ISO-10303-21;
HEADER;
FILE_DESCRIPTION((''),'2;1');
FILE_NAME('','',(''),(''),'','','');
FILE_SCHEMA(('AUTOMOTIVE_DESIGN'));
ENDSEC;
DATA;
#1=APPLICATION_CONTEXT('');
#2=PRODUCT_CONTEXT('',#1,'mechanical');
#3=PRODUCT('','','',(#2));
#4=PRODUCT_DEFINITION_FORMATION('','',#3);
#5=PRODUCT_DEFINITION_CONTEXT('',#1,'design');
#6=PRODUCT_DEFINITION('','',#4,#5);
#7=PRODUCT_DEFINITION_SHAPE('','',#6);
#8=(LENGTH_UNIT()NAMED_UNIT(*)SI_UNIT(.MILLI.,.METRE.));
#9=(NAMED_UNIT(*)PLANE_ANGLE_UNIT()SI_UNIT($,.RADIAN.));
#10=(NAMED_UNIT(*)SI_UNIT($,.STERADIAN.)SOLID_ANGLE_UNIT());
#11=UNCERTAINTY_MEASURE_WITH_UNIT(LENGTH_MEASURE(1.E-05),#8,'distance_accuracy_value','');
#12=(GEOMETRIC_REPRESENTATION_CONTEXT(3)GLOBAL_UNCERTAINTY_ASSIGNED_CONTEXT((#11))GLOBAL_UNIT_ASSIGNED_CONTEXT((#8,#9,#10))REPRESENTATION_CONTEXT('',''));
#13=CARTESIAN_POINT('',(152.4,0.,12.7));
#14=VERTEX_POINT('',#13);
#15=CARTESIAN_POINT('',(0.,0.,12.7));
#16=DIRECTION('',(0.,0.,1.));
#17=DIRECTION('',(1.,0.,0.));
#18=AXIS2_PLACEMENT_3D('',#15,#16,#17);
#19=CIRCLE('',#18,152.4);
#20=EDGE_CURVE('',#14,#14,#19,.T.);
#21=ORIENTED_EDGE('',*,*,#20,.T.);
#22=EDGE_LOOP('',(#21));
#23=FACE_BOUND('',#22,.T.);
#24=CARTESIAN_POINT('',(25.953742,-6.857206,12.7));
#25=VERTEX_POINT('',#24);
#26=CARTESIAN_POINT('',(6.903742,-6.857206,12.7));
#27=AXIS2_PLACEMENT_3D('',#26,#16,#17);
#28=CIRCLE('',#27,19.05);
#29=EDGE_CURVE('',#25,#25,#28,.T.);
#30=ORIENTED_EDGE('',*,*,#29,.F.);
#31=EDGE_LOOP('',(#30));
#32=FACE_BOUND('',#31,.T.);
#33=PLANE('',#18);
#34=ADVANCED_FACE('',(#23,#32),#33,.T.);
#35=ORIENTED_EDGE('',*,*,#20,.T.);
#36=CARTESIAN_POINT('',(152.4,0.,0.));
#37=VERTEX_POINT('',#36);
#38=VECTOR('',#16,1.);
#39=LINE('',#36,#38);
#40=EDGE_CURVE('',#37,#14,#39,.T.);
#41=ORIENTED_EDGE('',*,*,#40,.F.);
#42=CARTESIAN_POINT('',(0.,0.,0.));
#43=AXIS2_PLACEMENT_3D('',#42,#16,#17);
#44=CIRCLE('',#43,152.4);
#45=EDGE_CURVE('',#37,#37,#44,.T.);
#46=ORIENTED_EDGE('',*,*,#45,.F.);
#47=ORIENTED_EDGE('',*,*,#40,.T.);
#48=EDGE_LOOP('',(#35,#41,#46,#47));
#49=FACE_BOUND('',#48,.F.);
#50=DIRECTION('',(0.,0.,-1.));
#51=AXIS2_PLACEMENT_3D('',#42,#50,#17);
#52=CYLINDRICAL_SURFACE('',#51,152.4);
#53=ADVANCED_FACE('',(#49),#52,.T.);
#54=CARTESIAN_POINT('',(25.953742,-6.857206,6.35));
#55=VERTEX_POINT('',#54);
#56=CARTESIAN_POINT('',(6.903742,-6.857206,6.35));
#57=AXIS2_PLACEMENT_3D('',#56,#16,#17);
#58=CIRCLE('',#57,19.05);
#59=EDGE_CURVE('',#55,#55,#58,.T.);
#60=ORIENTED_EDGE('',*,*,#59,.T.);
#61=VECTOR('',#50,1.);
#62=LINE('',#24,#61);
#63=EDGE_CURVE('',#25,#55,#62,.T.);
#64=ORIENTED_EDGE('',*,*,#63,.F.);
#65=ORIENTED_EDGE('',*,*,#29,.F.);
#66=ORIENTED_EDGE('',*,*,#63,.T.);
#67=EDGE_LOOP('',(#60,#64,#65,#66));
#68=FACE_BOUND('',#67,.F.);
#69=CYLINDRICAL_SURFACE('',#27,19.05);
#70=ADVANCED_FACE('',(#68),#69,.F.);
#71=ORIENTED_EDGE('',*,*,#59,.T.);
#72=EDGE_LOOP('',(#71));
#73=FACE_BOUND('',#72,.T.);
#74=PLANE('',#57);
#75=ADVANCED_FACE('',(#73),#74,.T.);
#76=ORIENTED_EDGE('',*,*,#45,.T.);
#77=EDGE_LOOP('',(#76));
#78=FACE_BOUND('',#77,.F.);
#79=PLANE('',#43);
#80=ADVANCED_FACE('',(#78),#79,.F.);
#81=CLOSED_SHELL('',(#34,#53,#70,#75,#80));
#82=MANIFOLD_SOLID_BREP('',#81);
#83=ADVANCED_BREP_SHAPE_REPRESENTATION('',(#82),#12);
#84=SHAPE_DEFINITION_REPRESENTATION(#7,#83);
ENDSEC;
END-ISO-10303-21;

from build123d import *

# Parameters (mm, degrees)
F0_R     = 152.4
F0_R_2   = 16.7386
F1_DEPTH = 12.7
F2_R     = 19.05
F3_DEPTH = 6.35


with BuildPart() as f1:
    # F0 (on Top) → F1 (new body)
    with BuildSketch(Plane.XY):
        Circle(F0_R)
        Circle(F0_R_2, mode=Mode.SUBTRACT)
        Circle(F0_R_2)
    extrude(amount=F1_DEPTH)

    # F2 (on face) → F3 (cut)
    with BuildSketch(Plane.XY.offset(12.7)):
        with Locations((6.903742, -6.857206)):
            Circle(F2_R)
    extrude(amount=-F3_DEPTH, mode=Mode.SUBTRACT)


solid = f1.part
